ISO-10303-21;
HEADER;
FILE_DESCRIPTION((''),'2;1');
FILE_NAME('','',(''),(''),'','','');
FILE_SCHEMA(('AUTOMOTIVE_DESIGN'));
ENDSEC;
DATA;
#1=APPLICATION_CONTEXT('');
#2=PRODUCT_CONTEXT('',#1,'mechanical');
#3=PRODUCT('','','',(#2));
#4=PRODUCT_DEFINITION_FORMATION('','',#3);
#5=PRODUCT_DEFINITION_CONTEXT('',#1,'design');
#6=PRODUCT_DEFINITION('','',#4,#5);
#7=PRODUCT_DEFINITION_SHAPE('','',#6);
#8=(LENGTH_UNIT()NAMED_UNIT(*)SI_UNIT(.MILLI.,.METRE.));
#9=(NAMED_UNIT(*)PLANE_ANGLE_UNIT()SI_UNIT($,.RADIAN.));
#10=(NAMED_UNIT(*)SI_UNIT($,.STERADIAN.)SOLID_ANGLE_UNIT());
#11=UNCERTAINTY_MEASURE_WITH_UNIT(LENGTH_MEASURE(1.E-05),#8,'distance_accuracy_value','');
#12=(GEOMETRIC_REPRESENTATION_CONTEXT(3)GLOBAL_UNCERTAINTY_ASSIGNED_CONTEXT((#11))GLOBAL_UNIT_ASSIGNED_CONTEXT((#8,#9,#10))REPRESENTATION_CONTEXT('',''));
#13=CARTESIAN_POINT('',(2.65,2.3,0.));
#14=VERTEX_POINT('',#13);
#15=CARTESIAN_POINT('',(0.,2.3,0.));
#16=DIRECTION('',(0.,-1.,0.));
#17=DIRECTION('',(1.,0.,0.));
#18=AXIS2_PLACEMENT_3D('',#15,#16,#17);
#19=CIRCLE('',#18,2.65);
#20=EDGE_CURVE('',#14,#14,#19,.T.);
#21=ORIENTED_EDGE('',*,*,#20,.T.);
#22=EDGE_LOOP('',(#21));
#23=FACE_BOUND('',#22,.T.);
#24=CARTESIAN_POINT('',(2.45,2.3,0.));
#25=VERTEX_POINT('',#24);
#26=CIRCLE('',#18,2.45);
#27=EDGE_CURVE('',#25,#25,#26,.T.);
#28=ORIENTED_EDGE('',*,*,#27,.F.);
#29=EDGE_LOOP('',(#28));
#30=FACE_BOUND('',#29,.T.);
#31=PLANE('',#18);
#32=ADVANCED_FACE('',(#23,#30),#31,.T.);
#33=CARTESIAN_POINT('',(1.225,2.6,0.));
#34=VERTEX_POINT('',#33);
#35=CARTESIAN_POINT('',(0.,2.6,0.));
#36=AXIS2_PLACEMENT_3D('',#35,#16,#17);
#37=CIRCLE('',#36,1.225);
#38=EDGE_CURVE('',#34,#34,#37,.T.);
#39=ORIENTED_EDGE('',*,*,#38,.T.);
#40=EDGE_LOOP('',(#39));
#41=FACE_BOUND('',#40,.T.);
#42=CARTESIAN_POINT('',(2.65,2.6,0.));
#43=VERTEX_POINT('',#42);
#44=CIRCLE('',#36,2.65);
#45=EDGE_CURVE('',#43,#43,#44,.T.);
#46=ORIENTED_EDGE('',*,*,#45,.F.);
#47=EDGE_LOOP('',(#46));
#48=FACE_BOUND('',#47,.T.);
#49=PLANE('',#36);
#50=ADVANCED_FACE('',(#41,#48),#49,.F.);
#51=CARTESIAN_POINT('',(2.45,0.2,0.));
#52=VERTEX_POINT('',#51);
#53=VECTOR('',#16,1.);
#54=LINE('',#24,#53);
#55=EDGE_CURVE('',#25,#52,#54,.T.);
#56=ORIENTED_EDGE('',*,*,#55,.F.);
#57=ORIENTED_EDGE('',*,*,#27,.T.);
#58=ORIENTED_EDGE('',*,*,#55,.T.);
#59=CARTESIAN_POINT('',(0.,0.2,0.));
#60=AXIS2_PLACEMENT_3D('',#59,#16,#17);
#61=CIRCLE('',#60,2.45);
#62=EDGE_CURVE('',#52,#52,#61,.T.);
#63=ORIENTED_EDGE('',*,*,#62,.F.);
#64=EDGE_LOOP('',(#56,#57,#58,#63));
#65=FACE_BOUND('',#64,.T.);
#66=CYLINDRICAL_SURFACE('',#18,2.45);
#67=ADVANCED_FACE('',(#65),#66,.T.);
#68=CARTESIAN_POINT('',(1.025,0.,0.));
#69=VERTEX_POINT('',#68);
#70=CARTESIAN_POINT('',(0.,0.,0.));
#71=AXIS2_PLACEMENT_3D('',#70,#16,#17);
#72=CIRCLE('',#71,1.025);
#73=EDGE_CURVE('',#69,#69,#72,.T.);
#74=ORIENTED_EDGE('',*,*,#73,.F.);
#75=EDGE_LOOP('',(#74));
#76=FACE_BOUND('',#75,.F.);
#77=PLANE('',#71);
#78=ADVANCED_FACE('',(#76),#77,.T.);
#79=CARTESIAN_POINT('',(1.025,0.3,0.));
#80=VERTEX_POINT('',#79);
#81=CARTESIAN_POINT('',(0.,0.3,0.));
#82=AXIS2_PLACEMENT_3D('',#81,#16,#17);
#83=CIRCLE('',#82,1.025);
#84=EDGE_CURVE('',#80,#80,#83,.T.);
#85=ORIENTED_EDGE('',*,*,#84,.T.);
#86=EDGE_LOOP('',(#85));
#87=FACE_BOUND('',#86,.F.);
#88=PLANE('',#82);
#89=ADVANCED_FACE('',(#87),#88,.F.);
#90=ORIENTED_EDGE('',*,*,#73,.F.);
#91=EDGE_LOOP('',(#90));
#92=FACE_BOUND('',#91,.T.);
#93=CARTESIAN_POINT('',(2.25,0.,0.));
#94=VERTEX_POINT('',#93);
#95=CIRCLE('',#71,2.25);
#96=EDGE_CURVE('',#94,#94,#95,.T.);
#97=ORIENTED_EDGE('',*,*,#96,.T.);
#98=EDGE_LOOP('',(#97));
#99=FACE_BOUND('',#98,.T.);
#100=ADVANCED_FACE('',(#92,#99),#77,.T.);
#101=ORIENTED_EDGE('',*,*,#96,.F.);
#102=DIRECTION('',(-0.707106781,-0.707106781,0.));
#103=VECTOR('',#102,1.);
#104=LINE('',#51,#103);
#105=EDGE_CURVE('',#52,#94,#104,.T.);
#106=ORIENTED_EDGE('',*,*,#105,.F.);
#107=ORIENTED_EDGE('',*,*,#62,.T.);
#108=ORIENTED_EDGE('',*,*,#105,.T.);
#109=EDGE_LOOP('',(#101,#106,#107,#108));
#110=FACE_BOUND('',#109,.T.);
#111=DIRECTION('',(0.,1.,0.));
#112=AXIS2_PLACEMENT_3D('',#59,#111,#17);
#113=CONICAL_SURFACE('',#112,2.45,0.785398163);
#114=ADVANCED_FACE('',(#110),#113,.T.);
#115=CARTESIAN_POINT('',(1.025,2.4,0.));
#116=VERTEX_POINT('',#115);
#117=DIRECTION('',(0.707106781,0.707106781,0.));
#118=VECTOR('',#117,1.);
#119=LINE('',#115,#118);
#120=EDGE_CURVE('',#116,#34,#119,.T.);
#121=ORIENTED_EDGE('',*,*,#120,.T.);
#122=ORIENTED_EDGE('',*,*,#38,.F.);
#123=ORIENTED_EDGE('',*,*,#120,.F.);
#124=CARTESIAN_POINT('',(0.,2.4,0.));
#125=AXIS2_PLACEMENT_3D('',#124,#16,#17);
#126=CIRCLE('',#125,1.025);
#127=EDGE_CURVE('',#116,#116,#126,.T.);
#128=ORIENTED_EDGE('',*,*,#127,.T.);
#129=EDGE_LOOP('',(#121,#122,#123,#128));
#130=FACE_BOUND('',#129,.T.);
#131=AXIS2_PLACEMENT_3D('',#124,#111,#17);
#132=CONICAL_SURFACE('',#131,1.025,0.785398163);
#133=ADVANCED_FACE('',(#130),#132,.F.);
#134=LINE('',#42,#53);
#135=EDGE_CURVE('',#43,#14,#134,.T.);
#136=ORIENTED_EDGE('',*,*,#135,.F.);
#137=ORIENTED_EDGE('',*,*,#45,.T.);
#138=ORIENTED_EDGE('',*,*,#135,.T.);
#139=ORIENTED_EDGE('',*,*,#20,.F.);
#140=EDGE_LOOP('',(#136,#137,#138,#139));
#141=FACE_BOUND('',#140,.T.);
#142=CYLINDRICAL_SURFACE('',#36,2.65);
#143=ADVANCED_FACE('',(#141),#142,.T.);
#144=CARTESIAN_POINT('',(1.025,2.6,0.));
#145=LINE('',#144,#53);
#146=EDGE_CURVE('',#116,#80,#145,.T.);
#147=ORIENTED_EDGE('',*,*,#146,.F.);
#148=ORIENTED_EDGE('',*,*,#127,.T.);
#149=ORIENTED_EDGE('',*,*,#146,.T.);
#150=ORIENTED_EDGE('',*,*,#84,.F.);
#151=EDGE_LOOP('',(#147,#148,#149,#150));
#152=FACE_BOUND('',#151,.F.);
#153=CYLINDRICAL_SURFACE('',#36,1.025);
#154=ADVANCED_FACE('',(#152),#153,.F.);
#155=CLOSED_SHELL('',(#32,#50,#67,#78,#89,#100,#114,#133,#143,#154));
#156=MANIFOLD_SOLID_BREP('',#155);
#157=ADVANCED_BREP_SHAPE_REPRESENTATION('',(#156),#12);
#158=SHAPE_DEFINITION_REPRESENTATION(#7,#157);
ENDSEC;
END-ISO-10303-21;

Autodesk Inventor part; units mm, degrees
ref_plane "YZ Plane" through (0, 0, 0) normal (1, 0, 0) x (0, 1, 0)
ref_plane "XZ Plane" through (0, 0, 0) normal (0, 1, 0) x (-1, 0, 0)
ref_plane "XY Plane" through (0, 0, 0) normal (0, 0, 1) x (1, 0, 0)
sketch "Sketch1" plane through (0, 0, 0) normal (0, 0, 1) x (1, 0, 0)
  line L0 (0, 2.6) -> (0, 0.3) construction
  line L1 (0, 0) -> (1.025, 0)
  line L2 (1.025, 2.6) -> (0, 2.6) construction
  line L3 (1.025, 2.6) -> (2.65, 2.6)
  line L4 (2.65, 2.6) -> (2.65, 2.3)
  line L5 (2.65, 2.3) -> (2.45, 2.3)
  line L6 (2.45, 2.3) -> (2.45, 0)
  line L7 (2.45, 0) -> (1.025, 0)
  line L8 (1.025, 2.6) -> (1.025, 0.3)
  line L9 (1.025, 0.3) -> (1.025, 0) construction
  line L10 (1.025, 0.3) -> (0, 0.3)
  line L11 (0, 0.3) -> (0, 0)
  dimension "d0" = 2.45
  dimension "d2" = 0.3
  dimension "d3" = 0.2
  dimension "d4" = 2.3
  dimension "d9" = 0.3
  dimension "d10" = 1.025
revolve "Revolution1" add sketch "Sketch1" angle 360 about axis through (0, 2.6, 0) along (0, -1, 0)
chamfer "Chamfer1" distance 0.2 angle 45 2 edges at (-1.025, 2.6, 0) (-2.45, 0, 0)
properties part number "ShaftSpacer"
